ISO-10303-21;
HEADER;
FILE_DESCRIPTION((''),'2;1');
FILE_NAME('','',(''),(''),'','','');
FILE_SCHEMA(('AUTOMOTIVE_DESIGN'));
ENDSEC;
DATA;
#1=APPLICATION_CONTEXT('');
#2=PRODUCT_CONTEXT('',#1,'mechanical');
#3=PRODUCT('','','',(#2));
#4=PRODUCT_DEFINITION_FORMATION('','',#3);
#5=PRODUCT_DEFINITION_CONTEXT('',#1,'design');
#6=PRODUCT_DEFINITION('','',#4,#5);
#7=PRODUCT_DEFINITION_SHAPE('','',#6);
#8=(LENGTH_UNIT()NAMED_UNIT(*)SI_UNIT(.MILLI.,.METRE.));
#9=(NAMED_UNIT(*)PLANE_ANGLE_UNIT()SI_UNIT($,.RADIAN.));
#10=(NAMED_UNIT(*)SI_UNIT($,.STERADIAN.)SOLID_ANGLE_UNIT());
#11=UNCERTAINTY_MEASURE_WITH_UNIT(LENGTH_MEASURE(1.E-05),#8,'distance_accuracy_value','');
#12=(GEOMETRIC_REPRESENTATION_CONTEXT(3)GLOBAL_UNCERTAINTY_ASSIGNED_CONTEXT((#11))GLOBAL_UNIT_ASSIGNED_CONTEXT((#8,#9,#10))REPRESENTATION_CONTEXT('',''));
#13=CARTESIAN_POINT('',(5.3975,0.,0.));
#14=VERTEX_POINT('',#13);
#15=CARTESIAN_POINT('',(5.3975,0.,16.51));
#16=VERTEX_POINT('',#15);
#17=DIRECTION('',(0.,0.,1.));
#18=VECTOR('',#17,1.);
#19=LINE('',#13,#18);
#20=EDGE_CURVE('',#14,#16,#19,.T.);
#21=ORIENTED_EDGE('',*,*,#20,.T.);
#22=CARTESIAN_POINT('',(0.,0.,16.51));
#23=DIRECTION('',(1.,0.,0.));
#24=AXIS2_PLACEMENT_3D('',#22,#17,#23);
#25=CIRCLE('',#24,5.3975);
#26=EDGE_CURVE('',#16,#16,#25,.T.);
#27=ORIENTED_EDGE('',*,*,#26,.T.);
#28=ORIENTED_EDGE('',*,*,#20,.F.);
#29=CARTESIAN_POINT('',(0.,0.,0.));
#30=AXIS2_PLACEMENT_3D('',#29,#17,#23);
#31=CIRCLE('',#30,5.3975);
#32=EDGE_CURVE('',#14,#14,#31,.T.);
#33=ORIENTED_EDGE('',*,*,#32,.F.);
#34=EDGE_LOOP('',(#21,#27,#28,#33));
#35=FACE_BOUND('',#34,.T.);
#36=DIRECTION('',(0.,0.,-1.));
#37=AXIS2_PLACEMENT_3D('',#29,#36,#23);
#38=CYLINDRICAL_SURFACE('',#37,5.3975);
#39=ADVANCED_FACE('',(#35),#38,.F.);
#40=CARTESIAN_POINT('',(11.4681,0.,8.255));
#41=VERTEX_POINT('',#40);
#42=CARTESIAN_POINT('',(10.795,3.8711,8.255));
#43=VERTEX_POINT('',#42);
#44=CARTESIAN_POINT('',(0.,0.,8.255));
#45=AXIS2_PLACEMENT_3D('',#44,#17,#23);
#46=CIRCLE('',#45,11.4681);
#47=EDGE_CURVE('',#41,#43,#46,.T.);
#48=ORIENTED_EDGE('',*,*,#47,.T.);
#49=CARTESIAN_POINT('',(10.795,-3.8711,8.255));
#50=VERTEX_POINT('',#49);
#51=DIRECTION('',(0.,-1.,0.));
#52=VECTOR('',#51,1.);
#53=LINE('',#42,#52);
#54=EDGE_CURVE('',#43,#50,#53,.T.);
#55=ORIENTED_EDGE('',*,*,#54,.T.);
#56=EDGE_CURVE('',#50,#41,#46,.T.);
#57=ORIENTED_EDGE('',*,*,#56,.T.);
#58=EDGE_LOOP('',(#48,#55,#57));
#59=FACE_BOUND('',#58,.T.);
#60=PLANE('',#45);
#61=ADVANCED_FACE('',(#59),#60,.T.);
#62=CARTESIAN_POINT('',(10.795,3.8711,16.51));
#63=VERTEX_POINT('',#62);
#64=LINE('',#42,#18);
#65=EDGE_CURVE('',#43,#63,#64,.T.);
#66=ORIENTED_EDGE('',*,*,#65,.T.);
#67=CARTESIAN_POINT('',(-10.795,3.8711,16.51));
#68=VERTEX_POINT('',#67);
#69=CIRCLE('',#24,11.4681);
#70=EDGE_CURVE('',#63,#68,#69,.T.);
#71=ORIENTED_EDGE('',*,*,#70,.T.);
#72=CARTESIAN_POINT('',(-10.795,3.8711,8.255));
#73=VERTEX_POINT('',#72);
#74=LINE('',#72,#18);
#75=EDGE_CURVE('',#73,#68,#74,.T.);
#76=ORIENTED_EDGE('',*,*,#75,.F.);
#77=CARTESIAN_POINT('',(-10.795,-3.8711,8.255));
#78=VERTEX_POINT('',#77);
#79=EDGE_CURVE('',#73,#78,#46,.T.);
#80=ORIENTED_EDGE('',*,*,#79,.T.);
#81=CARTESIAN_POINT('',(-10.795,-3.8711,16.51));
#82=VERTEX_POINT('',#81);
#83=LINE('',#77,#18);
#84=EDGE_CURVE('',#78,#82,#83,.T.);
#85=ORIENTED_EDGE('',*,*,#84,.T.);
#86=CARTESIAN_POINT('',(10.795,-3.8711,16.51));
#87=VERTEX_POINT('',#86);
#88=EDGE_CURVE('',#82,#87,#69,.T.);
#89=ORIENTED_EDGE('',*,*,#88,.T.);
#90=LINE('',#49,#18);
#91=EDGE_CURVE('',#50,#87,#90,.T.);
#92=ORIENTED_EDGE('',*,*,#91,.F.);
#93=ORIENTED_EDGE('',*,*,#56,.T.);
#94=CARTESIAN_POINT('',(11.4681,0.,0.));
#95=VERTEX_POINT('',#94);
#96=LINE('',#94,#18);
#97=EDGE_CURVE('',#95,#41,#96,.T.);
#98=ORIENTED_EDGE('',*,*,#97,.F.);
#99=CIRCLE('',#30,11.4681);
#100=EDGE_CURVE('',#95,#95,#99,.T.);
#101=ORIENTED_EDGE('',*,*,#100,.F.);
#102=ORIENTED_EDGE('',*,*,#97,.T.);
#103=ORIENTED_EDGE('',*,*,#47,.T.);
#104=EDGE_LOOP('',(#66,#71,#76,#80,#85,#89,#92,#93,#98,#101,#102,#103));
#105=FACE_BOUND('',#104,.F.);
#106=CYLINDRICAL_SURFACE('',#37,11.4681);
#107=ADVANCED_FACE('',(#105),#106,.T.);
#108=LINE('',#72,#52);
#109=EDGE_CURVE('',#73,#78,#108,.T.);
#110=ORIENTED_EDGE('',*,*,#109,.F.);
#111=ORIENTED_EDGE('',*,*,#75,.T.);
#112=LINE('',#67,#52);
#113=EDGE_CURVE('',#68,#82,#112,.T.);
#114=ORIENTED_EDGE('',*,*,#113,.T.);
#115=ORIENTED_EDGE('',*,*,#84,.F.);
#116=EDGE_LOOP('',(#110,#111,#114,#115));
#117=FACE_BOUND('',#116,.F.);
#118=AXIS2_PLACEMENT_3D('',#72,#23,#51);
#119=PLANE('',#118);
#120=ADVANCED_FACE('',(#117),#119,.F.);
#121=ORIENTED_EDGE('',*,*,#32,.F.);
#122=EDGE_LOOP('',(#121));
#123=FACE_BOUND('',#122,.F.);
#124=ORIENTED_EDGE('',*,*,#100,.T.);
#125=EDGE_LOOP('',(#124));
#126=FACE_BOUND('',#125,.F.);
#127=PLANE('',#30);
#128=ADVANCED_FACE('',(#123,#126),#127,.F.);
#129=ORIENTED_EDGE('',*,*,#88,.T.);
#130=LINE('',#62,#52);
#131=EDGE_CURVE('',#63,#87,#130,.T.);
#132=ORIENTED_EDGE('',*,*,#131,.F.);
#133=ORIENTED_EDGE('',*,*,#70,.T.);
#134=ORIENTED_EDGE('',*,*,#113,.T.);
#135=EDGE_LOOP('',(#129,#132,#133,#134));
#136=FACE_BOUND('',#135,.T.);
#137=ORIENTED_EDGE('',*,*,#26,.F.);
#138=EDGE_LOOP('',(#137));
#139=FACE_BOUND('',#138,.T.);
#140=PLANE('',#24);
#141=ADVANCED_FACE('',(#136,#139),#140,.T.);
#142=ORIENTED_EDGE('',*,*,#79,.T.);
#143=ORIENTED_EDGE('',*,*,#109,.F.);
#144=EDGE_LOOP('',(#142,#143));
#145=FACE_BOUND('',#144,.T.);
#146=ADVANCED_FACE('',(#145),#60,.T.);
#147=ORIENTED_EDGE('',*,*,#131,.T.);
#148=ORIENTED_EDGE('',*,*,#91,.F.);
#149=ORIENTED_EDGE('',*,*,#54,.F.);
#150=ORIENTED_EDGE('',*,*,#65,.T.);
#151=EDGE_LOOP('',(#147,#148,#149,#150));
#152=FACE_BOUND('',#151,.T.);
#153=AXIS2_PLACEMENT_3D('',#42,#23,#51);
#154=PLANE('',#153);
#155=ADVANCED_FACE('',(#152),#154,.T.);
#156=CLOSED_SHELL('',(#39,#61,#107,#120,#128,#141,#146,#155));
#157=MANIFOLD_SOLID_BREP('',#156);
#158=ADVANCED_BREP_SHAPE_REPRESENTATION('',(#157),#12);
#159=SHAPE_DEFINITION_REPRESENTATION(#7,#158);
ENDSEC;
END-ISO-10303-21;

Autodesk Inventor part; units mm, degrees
ref_plane "YZ Plane" through (0, 0, 0) normal (1, 0, 0) x (0, 1, 0)
ref_plane "XZ Plane" through (0, 0, 0) normal (0, 1, 0) x (-1, 0, 0)
ref_plane "XY Plane" through (0, 0, 0) normal (0, 0, 1) x (1, 0, 0)
sketch "Sketch1" plane through (0, 0, 0) normal (0, 0, 1) x (1, 0, 0)
  circle A0 centre (0, 0) radius 11.4681
  circle A1 centre (0, 0) radius 5.3975
  dimension "d0" = 10.795
  dimension "d1" = 22.9362
extrude "Extrusion1" add sketch "Sketch1" along normal blind 8.255
sketch "Sketch2" plane through (0, 0, 8.255) normal (0, 0, 1) x (1, 0, 0)
  circle A0 centre (0, 0) radius 5.3975 projected
  circle A1 centre (0, 0) radius 11.4681 projected
  circle A2 centre (0, 0) radius 11.4681
  line L0 (-10.795, 3.8711) -> (-10.795, -3.8711)
  line L1 (10.795, 3.8711) -> (10.795, -3.8711)
  dimension "d4" = 21.59
extrude "Extrusion2" add sketch "Sketch2" along normal blind 8.255 contours L1 A1 L0
properties part number "Suction Cup Part 3 1764"
